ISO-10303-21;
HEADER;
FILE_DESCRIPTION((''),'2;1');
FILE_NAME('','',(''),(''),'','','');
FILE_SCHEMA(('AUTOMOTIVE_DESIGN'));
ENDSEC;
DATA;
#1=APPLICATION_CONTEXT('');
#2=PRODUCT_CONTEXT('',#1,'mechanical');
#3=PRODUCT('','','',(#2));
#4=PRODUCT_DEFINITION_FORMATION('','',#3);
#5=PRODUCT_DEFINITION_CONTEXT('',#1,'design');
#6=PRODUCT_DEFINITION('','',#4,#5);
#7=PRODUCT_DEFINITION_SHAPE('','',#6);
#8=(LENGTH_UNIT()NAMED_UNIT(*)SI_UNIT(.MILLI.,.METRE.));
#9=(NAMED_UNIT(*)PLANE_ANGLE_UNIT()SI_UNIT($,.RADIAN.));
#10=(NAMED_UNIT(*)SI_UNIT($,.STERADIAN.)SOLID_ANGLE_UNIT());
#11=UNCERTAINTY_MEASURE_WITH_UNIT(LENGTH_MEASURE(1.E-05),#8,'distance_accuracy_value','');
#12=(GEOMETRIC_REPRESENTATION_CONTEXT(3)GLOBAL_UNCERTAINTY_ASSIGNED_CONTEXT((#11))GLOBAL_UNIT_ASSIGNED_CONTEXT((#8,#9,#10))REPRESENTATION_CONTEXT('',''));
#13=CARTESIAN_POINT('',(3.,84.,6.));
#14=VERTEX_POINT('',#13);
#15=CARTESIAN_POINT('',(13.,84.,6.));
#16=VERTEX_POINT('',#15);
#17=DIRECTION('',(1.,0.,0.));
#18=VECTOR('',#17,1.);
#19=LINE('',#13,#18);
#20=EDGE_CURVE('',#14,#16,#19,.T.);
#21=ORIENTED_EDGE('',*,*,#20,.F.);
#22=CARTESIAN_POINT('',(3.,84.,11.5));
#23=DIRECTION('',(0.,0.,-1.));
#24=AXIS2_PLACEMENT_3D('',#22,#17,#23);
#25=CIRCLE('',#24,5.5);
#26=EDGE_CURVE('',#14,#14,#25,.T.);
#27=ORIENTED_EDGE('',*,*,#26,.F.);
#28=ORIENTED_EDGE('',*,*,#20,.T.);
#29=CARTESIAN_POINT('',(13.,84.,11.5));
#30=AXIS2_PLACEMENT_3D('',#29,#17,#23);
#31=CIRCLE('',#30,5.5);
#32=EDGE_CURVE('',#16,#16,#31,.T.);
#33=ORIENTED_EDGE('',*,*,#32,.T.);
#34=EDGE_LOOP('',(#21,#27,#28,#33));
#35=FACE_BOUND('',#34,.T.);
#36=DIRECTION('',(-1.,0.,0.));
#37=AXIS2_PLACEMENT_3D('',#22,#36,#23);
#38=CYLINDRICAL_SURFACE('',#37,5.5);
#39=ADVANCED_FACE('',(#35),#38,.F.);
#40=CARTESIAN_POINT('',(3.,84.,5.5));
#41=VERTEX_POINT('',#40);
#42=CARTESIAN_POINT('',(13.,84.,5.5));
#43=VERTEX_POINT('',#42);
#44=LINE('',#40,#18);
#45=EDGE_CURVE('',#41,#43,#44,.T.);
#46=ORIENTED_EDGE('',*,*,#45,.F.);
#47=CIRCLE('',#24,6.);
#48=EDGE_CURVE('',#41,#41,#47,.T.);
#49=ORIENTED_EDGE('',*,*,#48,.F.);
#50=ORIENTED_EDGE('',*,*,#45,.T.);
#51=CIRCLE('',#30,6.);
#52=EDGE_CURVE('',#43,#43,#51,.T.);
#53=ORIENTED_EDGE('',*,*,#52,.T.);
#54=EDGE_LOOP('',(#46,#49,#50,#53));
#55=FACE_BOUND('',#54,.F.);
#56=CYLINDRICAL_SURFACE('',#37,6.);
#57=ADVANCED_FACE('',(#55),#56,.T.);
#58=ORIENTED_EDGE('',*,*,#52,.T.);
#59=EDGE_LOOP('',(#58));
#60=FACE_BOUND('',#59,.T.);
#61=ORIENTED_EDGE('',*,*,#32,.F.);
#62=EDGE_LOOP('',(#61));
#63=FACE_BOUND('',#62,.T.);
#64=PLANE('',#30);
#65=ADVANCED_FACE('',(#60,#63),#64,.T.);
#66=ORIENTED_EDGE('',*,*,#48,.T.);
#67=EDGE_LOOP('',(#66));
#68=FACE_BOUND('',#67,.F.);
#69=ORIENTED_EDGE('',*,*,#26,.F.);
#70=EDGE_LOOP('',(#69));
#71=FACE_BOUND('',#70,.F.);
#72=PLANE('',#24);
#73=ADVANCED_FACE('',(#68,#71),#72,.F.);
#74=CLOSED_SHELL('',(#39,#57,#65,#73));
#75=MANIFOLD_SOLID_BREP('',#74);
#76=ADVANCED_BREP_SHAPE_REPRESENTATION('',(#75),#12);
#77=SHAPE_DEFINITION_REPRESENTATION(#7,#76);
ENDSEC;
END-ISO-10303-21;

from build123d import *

# Parameters (mm, degrees)
CYLINDER034_R           = 5.5
CYLINDER034_DEPTH       = 10
CYLINDER034_PITCH_ANGLE = 90
CYLINDER_R              = 6
CYLINDER_DEPTH          = 10
CYLINDER_PITCH_ANGLE    = 90


with BuildPart() as cylinder034:
    # Cylinder034 → Cylinder034 (new body)
    with BuildSketch(Plane.XY):
        Circle(CYLINDER034_R)
    extrude(amount=CYLINDER034_DEPTH)


with BuildPart() as cylinder034_1:
    # Cylinder034 pitch: moved
    add(cylinder034.part.rotate(Axis((0, 0, 0), (0, 1, 0)), CYLINDER034_PITCH_ANGLE))


with BuildPart() as cylinder034_2:
    # Cylinder034 placement: moved
    add(cylinder034_1.part.moved(Location((3, 84, 11.5))))


with BuildPart() as cut059:
    # Cylinder → Cylinder (new body)
    with BuildSketch(Plane.XY):
        Circle(CYLINDER_R)
    extrude(amount=CYLINDER_DEPTH)


with BuildPart() as cut059_1:
    # Cylinder pitch: moved
    add(cut059.part.rotate(Axis((0, 0, 0), (0, 1, 0)), CYLINDER_PITCH_ANGLE))


with BuildPart() as cut059_2:
    # Cylinder placement: moved
    add(cut059_1.part.moved(Location((3, 84, 11.5))))

    # Cut059: cut Cylinder034
    add(cylinder034_2.part, mode=Mode.SUBTRACT)


solid = cut059_2.part
